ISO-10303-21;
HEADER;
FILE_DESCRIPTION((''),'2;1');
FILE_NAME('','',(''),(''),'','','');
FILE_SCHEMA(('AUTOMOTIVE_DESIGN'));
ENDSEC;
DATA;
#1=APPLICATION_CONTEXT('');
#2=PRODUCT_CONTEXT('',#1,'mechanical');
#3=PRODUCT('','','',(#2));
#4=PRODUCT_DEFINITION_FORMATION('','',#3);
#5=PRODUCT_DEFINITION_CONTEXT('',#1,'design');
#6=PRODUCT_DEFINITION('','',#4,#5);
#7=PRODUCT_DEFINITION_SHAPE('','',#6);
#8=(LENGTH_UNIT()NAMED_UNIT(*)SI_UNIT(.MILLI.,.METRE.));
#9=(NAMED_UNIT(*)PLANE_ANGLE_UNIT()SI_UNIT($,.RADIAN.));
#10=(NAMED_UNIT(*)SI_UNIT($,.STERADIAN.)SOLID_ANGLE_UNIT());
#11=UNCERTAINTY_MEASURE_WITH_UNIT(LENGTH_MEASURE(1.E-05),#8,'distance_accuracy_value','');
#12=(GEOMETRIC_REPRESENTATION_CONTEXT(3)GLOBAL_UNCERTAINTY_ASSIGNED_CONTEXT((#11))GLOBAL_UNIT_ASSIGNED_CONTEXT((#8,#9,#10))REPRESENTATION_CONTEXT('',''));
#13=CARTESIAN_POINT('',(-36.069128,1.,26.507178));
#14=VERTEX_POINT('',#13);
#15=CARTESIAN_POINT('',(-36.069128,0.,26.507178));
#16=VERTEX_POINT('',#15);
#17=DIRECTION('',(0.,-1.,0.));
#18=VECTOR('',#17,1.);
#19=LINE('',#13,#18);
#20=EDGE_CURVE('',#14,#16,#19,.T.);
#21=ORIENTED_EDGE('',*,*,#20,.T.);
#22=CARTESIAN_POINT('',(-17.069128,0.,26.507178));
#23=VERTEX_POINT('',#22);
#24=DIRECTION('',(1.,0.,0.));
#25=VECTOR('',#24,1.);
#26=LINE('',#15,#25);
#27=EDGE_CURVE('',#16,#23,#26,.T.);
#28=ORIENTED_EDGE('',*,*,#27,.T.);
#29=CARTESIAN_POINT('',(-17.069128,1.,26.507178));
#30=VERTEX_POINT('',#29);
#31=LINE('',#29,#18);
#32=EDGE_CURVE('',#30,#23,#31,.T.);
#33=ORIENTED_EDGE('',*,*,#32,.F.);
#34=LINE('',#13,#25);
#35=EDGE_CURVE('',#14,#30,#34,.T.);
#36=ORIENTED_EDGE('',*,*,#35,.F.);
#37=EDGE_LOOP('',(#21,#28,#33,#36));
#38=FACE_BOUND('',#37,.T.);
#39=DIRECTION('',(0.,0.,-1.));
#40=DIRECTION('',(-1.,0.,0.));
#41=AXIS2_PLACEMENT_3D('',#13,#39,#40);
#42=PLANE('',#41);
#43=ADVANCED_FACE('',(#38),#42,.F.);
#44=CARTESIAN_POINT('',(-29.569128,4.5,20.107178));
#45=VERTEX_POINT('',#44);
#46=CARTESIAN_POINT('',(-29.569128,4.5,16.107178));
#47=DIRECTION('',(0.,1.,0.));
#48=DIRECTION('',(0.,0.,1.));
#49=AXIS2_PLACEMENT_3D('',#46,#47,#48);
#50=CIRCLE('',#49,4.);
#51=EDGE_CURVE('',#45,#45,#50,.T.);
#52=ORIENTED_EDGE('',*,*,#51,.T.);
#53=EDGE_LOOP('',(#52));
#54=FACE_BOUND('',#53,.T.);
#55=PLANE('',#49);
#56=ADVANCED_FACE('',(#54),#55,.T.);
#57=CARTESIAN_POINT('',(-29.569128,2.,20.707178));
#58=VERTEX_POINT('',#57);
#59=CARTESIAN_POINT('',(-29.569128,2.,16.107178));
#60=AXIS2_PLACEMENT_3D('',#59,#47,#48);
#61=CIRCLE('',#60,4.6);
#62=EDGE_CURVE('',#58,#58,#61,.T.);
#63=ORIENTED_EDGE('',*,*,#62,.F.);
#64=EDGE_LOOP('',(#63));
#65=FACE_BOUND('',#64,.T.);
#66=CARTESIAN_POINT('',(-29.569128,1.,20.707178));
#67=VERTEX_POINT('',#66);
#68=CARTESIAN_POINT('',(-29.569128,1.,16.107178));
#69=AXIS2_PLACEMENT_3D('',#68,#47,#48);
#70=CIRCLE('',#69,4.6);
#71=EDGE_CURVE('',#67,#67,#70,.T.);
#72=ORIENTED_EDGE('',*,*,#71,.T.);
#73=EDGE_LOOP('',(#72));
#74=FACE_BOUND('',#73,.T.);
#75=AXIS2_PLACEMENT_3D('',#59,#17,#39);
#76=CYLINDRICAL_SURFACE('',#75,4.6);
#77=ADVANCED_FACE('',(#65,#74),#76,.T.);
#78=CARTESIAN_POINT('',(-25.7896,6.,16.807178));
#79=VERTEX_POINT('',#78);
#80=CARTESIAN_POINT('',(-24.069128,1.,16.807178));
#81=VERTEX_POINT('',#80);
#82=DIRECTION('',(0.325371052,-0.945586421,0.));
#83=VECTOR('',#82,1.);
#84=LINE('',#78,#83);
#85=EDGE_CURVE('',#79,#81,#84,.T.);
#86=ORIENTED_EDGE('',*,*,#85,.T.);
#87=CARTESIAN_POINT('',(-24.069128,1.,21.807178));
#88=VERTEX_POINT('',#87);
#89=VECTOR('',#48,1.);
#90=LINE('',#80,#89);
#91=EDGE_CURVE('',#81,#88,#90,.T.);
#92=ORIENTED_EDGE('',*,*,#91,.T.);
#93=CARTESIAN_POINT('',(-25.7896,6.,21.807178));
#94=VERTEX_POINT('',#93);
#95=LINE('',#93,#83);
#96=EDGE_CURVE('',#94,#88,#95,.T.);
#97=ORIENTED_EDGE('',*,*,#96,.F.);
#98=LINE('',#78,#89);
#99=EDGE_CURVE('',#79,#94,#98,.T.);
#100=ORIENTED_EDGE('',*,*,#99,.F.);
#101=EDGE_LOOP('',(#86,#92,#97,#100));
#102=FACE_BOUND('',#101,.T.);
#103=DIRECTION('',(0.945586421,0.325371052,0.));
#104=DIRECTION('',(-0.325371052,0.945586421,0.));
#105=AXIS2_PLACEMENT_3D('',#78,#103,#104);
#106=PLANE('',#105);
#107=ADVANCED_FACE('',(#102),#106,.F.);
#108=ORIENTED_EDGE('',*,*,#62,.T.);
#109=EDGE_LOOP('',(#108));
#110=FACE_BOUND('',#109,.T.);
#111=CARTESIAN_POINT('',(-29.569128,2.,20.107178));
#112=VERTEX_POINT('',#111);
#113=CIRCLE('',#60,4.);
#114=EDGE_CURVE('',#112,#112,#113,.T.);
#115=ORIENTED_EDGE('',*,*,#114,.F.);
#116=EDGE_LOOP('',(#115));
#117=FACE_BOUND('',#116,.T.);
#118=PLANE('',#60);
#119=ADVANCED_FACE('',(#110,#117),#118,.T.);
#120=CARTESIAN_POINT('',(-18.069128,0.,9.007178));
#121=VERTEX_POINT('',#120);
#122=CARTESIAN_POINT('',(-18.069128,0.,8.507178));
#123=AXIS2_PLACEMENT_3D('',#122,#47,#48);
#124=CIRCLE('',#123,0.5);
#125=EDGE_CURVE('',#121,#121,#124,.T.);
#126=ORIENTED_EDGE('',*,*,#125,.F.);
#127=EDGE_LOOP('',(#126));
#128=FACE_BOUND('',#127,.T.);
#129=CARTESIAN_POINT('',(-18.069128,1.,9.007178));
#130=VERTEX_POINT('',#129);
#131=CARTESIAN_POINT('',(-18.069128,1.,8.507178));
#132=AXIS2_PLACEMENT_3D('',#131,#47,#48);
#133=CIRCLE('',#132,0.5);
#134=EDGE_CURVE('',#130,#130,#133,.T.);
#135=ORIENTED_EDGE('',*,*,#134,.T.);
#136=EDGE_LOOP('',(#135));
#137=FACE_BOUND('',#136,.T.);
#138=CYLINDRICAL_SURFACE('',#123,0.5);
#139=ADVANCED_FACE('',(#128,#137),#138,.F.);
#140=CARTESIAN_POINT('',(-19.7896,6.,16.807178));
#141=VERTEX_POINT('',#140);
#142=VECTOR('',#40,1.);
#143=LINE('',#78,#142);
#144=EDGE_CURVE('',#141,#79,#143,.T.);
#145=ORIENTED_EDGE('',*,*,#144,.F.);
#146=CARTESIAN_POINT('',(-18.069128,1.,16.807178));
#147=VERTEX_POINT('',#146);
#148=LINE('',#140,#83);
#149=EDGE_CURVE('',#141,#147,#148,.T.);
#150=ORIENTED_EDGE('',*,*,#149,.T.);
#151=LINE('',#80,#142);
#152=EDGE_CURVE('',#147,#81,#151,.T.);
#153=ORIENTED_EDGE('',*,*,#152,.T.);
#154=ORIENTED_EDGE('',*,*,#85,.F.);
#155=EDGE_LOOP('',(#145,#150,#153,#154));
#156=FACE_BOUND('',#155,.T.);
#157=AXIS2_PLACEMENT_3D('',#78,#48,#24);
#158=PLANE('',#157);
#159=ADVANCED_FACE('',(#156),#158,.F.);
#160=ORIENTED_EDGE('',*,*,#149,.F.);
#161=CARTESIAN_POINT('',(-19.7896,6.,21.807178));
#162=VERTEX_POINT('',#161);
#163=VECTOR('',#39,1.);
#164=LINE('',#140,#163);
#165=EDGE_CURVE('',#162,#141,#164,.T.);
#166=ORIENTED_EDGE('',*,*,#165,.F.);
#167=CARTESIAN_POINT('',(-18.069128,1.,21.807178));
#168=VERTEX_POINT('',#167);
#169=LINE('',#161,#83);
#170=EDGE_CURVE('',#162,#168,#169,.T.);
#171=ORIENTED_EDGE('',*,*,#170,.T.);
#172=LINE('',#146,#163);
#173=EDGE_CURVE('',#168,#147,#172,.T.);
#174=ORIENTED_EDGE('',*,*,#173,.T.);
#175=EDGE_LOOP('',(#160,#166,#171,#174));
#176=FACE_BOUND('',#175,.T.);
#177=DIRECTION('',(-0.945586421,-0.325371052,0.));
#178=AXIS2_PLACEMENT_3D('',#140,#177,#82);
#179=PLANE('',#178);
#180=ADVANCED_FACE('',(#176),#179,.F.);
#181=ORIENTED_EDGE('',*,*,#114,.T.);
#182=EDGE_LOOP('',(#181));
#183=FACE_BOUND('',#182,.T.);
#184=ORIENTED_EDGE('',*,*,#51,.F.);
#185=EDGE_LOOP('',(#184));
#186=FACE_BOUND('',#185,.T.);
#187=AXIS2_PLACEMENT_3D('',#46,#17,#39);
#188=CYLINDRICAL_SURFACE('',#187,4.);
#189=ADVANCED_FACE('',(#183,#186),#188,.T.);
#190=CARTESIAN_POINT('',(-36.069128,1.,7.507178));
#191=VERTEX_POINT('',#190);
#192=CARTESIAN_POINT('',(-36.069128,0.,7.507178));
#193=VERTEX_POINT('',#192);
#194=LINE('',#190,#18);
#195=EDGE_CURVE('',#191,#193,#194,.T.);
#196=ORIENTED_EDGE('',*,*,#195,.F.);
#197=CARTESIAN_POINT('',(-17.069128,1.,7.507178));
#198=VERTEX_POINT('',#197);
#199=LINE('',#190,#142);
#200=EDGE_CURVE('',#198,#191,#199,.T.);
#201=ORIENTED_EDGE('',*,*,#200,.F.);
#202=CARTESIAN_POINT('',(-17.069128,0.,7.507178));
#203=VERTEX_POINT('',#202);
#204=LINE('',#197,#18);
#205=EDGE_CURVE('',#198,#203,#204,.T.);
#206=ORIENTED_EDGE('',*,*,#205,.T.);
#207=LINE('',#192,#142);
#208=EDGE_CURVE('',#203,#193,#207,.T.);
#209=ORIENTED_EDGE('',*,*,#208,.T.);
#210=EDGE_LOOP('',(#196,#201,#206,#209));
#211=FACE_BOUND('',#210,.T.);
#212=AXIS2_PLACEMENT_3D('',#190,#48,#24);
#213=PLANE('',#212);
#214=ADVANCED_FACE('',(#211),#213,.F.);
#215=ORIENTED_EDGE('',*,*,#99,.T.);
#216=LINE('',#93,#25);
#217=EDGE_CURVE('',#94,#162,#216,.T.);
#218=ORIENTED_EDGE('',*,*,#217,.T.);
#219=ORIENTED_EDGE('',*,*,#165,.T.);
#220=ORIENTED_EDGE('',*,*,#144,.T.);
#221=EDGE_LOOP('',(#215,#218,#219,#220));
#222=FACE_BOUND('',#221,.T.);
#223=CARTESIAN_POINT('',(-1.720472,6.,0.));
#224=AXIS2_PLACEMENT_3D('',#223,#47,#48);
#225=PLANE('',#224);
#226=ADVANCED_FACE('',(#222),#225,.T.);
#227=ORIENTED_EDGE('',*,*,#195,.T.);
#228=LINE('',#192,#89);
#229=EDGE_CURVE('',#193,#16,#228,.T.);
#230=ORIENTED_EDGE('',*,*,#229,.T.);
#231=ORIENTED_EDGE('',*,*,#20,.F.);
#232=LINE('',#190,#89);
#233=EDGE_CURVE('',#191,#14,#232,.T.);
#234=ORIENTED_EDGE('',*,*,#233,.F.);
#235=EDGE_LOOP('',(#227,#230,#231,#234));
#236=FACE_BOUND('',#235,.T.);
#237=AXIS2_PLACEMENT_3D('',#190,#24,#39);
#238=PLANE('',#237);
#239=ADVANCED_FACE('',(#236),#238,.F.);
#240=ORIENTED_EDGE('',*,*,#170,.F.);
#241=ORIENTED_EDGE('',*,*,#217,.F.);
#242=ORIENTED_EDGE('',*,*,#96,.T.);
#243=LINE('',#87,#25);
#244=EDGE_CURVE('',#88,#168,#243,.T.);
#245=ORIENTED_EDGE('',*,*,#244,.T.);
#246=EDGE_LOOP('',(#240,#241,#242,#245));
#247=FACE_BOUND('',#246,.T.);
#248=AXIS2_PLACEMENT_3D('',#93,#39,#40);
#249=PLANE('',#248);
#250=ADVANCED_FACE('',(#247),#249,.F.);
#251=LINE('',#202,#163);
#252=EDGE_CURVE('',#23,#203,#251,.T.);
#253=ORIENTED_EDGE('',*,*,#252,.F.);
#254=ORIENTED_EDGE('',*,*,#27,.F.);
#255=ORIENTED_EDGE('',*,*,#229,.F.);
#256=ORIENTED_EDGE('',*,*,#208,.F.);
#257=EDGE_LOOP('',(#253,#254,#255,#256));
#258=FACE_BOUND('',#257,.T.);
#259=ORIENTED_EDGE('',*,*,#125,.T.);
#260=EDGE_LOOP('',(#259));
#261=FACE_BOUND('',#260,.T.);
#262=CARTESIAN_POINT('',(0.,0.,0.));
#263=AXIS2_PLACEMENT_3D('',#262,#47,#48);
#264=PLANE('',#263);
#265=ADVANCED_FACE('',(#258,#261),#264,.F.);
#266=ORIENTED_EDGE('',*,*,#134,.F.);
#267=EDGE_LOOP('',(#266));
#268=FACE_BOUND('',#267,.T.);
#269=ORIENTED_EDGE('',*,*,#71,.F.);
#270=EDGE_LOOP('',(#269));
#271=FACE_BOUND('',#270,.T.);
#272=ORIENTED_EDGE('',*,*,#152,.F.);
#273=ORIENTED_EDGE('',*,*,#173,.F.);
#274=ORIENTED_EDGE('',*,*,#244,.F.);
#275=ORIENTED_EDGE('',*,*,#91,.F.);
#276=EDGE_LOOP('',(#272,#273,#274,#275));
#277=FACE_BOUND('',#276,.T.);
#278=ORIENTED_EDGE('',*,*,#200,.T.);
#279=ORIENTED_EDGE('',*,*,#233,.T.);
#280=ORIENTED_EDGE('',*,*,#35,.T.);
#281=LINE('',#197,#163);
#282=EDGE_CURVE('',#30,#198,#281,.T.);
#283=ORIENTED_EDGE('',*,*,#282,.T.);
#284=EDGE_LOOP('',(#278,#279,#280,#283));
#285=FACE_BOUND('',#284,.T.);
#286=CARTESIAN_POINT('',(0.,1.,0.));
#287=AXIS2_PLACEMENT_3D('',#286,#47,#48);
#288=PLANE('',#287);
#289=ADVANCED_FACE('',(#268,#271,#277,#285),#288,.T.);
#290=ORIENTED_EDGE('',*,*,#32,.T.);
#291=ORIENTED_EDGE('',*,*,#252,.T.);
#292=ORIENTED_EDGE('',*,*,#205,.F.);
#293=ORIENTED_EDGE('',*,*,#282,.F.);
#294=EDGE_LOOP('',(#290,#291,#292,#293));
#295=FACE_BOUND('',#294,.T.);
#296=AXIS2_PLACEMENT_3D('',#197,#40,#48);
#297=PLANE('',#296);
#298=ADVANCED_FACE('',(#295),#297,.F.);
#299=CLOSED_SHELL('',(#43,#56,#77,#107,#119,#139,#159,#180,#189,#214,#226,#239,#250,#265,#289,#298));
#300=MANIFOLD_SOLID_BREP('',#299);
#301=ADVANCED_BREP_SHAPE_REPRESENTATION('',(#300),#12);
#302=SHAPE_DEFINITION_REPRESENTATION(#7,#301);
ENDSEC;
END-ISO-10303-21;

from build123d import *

# Parameters (mm, degrees)
SKETCH_1_W          = 19
SKETCH_1_H          = 19
EXTRUDE_1_DEPTH     = 1
SKETCH_2_R          = 0.5
CUT_EXTRUDE_1_DEPTH = 1
SKETCH_3_R          = 4.6
EXTRUDE_2_DEPTH     = 1
SKETCH_5_R          = 4
EXTRUDE_3_DEPTH     = 2.5
SKETCH_6_W          = 6
SKETCH_6_H          = 5


with BuildPart() as part:
    # Эскиз1 → Бобышка-Вытянуть1 (new body)
    with BuildSketch(Plane(origin=(0, 0, 0), x_dir=(1, 0, 0), z_dir=(0, 1, 0))):
        with Locations((-26.569127832, -17.007177836)):
            Rectangle(SKETCH_1_W, SKETCH_1_H)
    extrude(amount=EXTRUDE_1_DEPTH)

    # Эскиз2 → Вырез-Вытянуть1 (cut)
    with BuildSketch(Plane(origin=(0, 1, 0), x_dir=(1, 0, 0), z_dir=(0, 1, 0))):
        with Locations((-18.069127832, -8.507177836)):
            Circle(SKETCH_2_R)
    extrude(amount=-CUT_EXTRUDE_1_DEPTH, mode=Mode.SUBTRACT)

    # Эскиз3 → Бобышка-Вытянуть2 (add)
    with BuildSketch(Plane(origin=(0, 1, 0), x_dir=(1, 0, 0), z_dir=(0, 1, 0))):
        with Locations((-29.569127832, -16.107177836)):
            Circle(SKETCH_3_R)
    extrude(amount=EXTRUDE_2_DEPTH)

    # Эскиз5 → Бобышка-Вытянуть3 (add)
    with BuildSketch(Plane(origin=(0, 2, 0), x_dir=(1, 0, 0), z_dir=(0, 1, 0))):
        with Locations((-29.569127832, -16.107177836)):
            Circle(SKETCH_5_R)
    extrude(amount=EXTRUDE_3_DEPTH)

    # По траектории1: sweep along a path in Эскиз9
    with BuildLine(Plane.XY) as sweep_1_path:
        Line((-24.069127832, 1), (-25.789600147, 6))
    # Эскиз6 → По траектории1 (sweep)
    with BuildSketch(Plane(origin=(0, 1, 0), x_dir=(1, 0, 0), z_dir=(0, 1, 0))):
        with Locations((-21.069127832, -19.307177836)):
            Rectangle(SKETCH_6_W, SKETCH_6_H)
    sweep(path=sweep_1_path.line)


solid = part.part
